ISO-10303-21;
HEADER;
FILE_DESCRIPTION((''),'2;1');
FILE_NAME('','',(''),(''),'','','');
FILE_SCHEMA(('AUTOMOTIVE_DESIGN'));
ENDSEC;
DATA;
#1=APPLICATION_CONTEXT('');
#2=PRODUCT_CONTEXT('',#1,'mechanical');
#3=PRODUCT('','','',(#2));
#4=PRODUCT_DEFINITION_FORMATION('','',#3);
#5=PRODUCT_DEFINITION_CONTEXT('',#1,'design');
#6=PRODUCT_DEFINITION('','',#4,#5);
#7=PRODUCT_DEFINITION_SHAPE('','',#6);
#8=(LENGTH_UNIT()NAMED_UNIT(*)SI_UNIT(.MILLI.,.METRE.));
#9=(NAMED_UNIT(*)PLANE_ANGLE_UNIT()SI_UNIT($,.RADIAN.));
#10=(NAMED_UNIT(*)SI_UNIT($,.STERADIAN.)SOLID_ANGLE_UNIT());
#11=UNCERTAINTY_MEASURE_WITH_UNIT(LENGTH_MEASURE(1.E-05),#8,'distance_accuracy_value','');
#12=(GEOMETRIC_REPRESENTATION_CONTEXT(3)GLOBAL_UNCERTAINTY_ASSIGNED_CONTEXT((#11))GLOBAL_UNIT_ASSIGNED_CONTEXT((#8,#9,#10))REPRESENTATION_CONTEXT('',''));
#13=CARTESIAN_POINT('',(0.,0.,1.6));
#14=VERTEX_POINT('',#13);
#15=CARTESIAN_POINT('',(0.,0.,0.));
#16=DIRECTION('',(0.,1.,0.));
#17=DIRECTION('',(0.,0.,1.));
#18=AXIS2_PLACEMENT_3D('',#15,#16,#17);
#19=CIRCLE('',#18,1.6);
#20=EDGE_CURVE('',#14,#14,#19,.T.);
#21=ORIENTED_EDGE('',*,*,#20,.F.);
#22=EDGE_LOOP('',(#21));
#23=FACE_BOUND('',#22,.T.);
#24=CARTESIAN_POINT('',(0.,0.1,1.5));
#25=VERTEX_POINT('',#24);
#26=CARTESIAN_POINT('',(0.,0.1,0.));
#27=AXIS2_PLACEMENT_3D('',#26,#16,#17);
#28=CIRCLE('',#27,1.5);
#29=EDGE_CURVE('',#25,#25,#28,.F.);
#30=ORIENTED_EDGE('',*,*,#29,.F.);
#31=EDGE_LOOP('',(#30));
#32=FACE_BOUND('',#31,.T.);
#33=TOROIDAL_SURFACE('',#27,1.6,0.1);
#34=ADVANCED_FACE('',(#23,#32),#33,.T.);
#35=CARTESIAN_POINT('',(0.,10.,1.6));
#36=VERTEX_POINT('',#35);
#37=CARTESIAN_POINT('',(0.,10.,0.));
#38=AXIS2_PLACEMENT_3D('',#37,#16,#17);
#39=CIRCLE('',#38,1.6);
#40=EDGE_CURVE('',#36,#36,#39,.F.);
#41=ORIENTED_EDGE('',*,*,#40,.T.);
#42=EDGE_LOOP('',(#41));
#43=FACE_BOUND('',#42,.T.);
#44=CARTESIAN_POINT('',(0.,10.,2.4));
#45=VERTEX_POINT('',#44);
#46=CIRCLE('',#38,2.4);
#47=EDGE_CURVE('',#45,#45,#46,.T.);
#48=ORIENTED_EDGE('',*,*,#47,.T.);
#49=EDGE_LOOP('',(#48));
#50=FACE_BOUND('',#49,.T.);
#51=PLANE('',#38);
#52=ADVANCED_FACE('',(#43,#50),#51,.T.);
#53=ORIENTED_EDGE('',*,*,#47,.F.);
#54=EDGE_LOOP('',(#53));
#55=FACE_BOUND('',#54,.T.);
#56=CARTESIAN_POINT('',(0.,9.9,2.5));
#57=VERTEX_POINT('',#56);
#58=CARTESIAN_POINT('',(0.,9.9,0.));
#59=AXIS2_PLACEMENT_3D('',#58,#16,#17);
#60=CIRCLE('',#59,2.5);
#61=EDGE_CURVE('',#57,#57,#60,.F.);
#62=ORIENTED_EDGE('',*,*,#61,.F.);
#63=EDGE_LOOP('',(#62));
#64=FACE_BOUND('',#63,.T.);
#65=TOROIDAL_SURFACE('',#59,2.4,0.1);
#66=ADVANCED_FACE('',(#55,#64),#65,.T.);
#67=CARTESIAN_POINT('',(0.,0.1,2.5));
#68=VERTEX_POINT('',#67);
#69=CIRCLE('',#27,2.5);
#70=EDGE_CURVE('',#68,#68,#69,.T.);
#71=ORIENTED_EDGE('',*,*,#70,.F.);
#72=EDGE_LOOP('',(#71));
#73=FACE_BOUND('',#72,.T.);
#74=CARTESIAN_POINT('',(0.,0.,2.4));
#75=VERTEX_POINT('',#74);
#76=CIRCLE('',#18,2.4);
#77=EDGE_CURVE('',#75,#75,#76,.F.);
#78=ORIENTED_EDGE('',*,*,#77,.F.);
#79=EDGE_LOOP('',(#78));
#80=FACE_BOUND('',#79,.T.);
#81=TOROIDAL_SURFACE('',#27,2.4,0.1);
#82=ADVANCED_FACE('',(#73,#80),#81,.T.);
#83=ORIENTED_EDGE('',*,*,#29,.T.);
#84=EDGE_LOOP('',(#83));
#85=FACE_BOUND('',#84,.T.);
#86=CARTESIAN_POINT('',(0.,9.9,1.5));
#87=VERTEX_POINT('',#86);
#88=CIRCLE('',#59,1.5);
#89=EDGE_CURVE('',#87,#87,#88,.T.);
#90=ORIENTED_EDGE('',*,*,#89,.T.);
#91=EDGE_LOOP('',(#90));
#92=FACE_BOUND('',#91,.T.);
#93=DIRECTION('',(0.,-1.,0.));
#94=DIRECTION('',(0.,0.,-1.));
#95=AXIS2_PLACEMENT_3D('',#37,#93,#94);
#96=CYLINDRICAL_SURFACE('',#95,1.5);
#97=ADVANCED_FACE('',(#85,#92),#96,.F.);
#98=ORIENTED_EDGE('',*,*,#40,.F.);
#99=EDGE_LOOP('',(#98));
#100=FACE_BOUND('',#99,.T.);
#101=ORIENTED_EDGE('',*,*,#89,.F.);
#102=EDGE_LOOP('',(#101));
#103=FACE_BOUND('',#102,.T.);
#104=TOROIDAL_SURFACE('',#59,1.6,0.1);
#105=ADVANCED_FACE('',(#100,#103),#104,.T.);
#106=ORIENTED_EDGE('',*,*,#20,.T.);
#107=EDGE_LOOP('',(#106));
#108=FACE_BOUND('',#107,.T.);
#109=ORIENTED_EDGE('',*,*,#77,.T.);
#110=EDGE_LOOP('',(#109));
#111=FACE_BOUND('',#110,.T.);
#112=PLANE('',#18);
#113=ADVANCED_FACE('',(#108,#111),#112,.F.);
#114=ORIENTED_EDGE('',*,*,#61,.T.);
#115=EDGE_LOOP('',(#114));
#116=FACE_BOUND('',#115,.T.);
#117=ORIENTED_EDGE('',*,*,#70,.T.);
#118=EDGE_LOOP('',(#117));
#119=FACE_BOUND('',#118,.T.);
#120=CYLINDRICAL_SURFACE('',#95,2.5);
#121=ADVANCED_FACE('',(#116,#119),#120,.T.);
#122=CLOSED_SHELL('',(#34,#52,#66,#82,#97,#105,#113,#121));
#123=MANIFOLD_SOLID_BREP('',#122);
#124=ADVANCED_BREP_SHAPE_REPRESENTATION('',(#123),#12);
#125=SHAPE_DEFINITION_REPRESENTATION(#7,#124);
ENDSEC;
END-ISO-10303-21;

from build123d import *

# Parameters (mm, degrees)
SKETCH_1_R      = 2.5
SKETCH_1_R_2    = 1.5
EXTRUDE_1_DEPTH = 10
FILLET_1_R      = 0.1


with BuildPart() as part:
    # 草图1 → 凸台-拉伸1 (new body)
    with BuildSketch(Plane(origin=(0, 0, 0), x_dir=(1, 0, 0), z_dir=(0, 1, 0))):
        with Locations(Location((0, 0, 0), (0, 0, 270))):
            Circle(SKETCH_1_R)
        with Locations(Location((0, 0, 0), (0, 0, 270))):
            Circle(SKETCH_1_R_2, mode=Mode.SUBTRACT)
    extrude(amount=EXTRUDE_1_DEPTH)

    # 圆角1
    fillet_1_edges = [part.edges().sort_by_distance(p)[0] for p in [
        (0, 0, -2.5),
        (0, 10, -2.5),
        (0, 0, -1.5),
        (0, 10, -1.5),
    ]]
    fillet(fillet_1_edges, radius=FILLET_1_R)


solid = part.part
